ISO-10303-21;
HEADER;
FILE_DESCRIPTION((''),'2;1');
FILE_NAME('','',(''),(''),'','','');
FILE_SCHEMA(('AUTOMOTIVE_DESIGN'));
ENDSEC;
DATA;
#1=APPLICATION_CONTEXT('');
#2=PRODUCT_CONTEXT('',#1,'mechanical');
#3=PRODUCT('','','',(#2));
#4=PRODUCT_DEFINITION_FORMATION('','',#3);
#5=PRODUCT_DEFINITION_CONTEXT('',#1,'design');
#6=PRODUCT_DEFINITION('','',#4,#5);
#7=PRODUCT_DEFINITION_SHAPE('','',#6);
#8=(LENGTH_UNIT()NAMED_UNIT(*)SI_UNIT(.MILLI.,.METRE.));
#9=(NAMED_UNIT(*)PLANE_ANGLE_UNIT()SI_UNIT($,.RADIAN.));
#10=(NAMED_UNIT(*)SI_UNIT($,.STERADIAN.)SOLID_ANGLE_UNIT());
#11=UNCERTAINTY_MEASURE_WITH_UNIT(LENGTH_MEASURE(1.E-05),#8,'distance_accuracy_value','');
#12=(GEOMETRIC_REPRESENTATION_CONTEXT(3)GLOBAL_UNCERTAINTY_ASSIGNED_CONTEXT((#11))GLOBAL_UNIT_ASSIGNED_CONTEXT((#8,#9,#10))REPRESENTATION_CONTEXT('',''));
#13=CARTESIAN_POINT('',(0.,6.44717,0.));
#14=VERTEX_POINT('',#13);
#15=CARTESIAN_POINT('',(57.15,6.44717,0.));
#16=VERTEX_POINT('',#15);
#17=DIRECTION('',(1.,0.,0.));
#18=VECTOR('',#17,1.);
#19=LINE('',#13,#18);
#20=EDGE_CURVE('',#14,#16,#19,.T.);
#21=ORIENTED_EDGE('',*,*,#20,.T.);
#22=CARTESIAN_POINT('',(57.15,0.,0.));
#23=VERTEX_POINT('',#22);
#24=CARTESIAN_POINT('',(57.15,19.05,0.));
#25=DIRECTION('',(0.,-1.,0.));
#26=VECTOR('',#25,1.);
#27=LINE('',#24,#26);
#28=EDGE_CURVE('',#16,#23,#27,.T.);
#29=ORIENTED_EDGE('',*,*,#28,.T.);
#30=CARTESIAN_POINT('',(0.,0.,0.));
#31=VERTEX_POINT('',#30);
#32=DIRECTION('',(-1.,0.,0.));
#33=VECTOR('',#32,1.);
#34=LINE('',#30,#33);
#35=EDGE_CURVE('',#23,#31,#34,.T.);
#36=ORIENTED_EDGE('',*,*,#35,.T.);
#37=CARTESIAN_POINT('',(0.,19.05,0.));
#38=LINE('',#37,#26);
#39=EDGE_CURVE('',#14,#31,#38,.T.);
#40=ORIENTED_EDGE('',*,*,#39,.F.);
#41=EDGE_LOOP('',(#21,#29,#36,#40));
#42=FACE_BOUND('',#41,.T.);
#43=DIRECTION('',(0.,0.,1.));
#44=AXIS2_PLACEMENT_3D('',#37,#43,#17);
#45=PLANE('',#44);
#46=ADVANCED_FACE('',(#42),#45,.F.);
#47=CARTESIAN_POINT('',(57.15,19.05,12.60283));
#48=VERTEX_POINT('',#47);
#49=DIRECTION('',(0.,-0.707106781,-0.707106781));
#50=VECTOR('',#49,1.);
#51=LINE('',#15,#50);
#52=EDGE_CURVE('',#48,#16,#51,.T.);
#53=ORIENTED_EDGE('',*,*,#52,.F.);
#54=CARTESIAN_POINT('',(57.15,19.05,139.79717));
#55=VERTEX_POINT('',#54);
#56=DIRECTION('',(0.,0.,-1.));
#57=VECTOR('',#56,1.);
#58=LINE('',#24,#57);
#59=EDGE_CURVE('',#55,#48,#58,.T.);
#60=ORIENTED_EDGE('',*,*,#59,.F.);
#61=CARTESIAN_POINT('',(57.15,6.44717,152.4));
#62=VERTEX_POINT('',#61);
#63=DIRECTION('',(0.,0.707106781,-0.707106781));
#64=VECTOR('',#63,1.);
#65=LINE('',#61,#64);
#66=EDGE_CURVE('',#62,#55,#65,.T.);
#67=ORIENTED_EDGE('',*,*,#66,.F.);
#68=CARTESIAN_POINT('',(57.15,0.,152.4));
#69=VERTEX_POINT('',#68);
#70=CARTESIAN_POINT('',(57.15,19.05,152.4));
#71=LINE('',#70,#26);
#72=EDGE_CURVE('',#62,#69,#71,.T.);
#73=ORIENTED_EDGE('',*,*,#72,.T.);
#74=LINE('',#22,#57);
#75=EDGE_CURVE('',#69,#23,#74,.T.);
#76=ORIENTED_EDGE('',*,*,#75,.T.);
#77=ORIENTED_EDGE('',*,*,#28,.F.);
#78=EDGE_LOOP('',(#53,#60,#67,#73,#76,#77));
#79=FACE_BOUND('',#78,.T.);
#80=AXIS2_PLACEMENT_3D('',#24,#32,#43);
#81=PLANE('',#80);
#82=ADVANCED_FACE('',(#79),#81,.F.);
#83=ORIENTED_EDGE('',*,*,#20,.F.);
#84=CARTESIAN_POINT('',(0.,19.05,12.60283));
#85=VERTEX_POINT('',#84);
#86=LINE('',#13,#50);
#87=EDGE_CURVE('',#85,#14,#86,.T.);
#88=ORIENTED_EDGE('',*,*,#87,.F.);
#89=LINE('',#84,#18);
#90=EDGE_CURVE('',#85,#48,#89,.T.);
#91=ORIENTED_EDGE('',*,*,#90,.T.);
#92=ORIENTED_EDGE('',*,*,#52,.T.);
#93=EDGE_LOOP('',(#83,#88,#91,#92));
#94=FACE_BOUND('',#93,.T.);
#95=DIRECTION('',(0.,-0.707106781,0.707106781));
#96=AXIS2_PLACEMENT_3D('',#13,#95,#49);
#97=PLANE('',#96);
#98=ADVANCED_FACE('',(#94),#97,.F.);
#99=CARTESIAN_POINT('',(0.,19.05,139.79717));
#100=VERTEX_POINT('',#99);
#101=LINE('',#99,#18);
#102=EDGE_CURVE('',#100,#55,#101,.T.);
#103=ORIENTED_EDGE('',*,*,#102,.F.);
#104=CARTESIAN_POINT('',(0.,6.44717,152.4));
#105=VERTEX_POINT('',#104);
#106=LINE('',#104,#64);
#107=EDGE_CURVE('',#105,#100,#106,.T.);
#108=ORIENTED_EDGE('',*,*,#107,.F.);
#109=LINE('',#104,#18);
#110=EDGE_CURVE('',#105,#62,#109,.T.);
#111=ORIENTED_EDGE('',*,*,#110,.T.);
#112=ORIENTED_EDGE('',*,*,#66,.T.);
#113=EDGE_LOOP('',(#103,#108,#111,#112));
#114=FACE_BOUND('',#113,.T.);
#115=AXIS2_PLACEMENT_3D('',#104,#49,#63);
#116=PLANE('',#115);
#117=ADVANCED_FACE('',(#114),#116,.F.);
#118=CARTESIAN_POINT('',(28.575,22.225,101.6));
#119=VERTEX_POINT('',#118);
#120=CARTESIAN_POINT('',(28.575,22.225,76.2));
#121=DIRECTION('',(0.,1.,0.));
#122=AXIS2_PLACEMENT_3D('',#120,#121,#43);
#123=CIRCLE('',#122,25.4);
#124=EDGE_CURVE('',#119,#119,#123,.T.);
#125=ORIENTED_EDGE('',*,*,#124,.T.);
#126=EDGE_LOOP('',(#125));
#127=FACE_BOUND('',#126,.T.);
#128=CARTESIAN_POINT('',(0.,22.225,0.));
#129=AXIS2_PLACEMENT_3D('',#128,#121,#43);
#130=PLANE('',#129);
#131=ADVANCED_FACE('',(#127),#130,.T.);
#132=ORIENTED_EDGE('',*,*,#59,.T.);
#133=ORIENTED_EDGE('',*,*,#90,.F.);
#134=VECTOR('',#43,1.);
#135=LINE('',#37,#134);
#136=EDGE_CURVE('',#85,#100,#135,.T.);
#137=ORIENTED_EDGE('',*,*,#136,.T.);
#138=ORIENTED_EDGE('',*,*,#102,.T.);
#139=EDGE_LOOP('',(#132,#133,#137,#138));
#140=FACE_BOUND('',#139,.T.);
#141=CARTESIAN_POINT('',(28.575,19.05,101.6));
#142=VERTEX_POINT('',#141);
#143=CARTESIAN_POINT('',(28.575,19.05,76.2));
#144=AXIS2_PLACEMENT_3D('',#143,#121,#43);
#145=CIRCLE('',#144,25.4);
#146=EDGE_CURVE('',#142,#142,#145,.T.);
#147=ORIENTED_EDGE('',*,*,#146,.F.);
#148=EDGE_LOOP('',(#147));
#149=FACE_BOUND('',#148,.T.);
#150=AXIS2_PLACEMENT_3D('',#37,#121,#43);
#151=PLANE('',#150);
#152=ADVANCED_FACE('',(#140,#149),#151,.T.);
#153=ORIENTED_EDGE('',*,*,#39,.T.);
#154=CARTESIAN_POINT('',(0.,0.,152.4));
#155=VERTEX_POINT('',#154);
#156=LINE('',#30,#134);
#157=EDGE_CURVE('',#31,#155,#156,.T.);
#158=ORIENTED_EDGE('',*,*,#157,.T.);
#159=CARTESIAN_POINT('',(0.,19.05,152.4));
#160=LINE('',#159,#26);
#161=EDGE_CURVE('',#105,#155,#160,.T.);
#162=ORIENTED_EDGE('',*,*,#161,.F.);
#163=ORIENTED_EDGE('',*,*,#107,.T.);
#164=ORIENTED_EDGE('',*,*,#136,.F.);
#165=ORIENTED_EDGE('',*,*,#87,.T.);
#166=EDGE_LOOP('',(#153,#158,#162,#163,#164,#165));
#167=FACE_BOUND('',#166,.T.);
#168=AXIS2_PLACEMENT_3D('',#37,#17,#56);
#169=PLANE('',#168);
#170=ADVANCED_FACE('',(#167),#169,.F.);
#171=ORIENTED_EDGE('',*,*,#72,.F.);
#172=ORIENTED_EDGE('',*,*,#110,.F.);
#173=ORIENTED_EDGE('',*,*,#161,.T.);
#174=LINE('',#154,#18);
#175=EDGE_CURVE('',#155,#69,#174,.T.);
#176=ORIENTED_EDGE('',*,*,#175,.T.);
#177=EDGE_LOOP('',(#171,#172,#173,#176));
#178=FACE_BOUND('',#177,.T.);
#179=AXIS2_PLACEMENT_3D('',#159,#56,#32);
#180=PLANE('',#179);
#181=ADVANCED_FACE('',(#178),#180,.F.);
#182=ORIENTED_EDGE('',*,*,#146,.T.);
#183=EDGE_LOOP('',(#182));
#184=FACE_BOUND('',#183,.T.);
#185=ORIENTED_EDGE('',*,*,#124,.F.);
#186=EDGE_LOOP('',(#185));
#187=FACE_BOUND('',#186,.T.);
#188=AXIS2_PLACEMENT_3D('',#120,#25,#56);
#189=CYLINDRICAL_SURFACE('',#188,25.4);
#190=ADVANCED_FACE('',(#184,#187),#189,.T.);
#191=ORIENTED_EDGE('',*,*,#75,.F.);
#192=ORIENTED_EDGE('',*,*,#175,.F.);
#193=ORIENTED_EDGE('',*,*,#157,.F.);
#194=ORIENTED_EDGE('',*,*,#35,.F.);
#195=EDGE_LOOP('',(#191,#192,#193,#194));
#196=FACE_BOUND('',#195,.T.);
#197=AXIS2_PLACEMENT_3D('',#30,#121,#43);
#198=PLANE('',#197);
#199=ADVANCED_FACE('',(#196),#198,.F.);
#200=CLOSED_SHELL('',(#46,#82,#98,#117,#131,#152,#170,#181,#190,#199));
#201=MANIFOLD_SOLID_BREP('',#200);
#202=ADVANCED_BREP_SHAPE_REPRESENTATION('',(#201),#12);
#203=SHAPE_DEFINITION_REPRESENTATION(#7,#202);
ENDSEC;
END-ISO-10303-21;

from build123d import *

# Parameters (mm, degrees)
SKETCH2_W           = 57.15
SKETCH2_H           = 152.4
BOSS_EXTRUDE1_DEPTH = 19.05
CUT_EXTRUDE2_DEPTH  = 57.15
SKETCH5_R           = 25.4
BOSS_EXTRUDE2_DEPTH = 3.175


with BuildPart() as part:
    # Sketch2 → Boss-Extrude1 (new body)
    with BuildSketch(Plane(origin=(0, 0, 0), x_dir=(1, 0, 0), z_dir=(0, 1, 0))):
        with Locations((28.575, -76.2)):
            Rectangle(SKETCH2_W, SKETCH2_H)
    extrude(amount=BOSS_EXTRUDE1_DEPTH)

    # Sketch3 → Cut-Extrude2 (cut)
    with BuildSketch(Plane(origin=(57.15, 0, 0), x_dir=(0, 0, -1), z_dir=(1, 0, 0))):
        Polygon((-152.4, 6.447169547), (-139.797169547, 19.05), (-152.4, 19.05), align=None)
        Polygon((0, 6.447169547), (-12.602830453, 19.05), (0, 19.05), align=None)
    extrude(amount=-CUT_EXTRUDE2_DEPTH, mode=Mode.SUBTRACT)

    # Sketch5 → Boss-Extrude2 (add)
    with BuildSketch(Plane(origin=(0, 19.05, 0), x_dir=(1, 0, 0), z_dir=(0, 1, 0))):
        with Locations(Location((28.575, -76.2, 0), (0, 0, 270))):
            Circle(SKETCH5_R)
    extrude(amount=BOSS_EXTRUDE2_DEPTH)


solid = part.part
